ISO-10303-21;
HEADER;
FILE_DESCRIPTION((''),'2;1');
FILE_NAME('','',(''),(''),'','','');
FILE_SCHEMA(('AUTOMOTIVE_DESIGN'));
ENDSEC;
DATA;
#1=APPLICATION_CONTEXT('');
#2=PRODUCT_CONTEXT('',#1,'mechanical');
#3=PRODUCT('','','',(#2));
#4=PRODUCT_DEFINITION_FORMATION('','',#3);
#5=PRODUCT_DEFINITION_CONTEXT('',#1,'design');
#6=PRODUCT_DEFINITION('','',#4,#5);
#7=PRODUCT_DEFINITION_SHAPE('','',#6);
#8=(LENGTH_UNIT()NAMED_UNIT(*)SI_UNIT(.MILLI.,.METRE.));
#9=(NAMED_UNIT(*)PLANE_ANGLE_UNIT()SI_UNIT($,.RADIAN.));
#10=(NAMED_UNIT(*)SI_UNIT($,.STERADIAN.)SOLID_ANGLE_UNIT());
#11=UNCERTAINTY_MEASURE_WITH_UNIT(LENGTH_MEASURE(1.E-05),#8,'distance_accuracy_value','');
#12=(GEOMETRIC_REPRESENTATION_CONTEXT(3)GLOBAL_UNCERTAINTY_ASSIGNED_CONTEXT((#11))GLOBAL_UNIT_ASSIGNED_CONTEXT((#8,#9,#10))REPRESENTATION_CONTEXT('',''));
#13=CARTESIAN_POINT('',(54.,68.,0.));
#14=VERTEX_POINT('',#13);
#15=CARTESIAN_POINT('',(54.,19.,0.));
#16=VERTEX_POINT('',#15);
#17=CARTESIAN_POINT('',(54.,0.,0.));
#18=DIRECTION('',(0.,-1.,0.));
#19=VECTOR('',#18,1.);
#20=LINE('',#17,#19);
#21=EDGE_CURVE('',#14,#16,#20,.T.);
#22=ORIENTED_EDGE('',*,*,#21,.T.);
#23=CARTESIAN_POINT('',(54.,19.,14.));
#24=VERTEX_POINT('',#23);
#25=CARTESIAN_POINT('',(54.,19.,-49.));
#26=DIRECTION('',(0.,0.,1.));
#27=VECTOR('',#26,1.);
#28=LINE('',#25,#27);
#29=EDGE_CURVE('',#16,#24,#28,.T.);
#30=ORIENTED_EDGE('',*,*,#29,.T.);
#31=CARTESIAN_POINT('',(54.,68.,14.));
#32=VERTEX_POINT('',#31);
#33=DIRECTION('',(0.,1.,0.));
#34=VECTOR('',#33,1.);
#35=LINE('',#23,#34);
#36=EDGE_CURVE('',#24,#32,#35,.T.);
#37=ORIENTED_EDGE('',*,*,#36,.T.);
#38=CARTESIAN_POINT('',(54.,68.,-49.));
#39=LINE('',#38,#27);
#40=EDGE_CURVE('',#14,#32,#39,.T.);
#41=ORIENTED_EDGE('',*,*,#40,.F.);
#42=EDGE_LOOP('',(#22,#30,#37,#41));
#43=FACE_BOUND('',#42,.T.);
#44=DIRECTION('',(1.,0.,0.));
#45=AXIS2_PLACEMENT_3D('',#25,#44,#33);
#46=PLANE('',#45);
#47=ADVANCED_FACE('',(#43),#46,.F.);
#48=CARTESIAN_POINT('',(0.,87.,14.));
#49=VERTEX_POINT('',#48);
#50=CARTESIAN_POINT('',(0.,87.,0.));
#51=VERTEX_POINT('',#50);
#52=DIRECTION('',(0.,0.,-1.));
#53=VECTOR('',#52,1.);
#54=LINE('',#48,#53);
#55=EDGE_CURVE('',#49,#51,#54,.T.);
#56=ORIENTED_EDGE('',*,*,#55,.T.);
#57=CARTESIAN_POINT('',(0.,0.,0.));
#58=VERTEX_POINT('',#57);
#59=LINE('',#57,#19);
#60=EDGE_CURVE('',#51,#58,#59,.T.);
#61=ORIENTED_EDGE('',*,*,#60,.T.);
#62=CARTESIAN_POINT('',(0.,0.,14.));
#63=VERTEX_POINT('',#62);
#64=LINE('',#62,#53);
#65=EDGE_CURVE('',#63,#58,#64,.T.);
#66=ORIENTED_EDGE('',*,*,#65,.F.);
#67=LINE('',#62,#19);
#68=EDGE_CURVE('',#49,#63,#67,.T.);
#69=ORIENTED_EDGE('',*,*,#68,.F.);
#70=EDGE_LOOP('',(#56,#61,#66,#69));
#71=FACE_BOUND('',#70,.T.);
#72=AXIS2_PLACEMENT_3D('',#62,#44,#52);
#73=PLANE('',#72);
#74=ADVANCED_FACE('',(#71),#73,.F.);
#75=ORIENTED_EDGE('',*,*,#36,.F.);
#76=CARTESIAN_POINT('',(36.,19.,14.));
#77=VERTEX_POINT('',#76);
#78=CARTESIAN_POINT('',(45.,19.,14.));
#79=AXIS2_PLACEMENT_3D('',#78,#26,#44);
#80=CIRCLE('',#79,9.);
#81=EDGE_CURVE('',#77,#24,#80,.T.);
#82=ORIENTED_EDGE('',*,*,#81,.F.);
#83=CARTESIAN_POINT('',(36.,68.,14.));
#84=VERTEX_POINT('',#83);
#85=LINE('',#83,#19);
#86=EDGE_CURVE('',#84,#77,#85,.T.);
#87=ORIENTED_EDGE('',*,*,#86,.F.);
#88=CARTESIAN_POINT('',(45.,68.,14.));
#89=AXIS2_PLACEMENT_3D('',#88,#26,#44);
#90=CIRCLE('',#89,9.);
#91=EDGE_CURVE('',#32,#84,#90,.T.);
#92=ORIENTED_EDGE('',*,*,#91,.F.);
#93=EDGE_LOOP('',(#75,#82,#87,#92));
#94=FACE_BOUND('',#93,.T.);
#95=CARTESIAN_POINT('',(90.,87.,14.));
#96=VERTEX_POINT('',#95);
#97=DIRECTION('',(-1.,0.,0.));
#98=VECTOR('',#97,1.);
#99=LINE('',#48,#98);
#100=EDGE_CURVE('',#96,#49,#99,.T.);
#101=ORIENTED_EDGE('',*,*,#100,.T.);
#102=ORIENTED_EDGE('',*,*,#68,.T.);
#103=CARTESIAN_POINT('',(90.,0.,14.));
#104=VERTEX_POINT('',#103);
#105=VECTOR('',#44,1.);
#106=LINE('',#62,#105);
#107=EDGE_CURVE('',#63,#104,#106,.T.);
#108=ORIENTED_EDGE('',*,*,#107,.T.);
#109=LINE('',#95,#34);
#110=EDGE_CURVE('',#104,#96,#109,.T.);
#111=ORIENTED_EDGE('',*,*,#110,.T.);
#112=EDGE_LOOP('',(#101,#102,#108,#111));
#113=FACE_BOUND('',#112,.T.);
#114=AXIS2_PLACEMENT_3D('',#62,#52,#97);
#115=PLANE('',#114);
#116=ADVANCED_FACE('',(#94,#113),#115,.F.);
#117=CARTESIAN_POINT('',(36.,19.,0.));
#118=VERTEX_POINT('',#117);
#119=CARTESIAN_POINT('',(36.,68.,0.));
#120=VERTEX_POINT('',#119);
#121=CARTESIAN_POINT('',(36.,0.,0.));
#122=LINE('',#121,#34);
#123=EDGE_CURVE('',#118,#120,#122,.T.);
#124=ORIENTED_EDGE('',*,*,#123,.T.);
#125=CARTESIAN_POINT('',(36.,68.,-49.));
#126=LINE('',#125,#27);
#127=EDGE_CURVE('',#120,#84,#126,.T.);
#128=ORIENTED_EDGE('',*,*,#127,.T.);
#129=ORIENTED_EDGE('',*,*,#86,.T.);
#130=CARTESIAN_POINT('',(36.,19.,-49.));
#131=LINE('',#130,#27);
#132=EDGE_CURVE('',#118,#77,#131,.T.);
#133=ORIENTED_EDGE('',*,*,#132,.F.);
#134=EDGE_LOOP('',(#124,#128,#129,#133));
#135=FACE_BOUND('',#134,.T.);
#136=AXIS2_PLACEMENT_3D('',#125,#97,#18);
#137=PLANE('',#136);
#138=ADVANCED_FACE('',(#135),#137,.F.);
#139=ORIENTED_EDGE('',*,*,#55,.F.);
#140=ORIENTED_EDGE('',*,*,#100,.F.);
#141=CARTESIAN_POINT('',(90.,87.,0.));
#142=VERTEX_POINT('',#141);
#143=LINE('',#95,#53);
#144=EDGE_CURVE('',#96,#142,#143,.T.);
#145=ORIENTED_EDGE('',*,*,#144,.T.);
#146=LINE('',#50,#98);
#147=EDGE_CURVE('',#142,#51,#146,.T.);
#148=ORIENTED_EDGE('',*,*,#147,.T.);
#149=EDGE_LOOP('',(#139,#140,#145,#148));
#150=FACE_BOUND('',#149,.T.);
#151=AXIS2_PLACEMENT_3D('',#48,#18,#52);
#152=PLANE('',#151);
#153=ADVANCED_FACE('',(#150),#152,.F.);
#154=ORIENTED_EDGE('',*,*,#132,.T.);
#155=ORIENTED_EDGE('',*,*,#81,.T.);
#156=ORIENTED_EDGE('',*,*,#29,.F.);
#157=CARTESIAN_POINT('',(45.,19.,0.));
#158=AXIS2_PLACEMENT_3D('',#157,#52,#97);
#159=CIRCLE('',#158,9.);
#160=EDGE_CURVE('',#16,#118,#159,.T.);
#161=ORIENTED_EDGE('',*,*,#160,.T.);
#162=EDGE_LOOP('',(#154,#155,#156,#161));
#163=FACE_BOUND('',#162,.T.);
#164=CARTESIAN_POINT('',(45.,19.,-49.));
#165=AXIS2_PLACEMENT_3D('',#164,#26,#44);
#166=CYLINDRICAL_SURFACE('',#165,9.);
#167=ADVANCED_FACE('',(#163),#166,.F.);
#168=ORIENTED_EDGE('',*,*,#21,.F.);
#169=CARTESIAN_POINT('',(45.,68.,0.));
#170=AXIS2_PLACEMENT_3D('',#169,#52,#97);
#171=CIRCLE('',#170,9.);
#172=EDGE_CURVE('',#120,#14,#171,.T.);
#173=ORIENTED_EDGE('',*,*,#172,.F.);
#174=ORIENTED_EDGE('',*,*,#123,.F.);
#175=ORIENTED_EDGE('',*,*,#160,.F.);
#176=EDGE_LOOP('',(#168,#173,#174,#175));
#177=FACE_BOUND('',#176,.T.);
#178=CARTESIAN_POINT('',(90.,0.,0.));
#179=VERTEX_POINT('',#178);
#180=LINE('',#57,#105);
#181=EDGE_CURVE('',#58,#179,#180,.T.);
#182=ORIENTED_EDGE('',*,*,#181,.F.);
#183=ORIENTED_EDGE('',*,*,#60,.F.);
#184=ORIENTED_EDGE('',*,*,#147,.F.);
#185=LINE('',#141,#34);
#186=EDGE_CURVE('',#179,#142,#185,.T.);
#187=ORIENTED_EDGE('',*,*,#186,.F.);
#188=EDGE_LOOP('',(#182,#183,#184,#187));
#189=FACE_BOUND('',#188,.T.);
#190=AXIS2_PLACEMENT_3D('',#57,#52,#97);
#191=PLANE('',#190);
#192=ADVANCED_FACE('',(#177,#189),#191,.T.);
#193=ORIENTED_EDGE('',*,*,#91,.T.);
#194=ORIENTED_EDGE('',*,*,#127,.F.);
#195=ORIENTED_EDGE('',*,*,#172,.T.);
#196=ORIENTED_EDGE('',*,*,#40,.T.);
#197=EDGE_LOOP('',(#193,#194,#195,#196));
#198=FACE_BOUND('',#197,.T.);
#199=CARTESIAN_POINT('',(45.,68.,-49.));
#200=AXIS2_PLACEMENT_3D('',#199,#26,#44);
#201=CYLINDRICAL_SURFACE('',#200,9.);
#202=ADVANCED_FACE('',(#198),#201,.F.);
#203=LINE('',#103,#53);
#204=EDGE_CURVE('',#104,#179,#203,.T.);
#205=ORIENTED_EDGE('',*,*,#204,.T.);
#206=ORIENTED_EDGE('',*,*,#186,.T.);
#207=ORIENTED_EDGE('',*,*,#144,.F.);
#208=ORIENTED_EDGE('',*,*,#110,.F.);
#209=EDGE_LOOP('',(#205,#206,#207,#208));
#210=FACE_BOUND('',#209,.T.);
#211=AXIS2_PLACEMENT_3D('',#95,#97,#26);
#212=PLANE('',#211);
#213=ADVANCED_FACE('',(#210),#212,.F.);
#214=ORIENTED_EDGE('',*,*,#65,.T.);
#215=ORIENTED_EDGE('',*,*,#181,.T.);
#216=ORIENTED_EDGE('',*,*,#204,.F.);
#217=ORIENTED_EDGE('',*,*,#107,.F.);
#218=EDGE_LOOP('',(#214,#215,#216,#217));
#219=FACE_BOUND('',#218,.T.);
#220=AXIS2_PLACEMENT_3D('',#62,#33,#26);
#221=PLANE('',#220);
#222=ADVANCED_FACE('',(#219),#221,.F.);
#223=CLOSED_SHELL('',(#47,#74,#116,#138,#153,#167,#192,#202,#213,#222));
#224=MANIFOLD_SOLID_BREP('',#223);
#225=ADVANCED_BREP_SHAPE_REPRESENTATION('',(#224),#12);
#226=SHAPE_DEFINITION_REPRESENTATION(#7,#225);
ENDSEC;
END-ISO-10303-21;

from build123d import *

# Parameters (mm, degrees)
SKETCH1_W           = 90
SKETCH1_H           = 87
BOSS_EXTRUDE1_DEPTH = 14
CUT_EXTRUDE1_DEPTH  = 63


with BuildPart() as part:
    # Sketch1 → Boss-Extrude1 (new body)
    with BuildSketch(Plane.XY):
        with Locations((45, 43.5)):
            Rectangle(SKETCH1_W, SKETCH1_H)
    extrude(amount=BOSS_EXTRUDE1_DEPTH)

    # Sketch2 → Cut-Extrude1 (cut)
    with BuildSketch(Plane.XY.offset(14)):
        with BuildLine():
            Line((54, 19), (54, 68))
            ThreePointArc((54, 68), (45, 77), (36, 68))
            Line((36, 68), (36, 19))
            ThreePointArc((36, 19), (45, 10), (54, 19))
        make_face()
    extrude(amount=-CUT_EXTRUDE1_DEPTH, mode=Mode.SUBTRACT)


solid = part.part
